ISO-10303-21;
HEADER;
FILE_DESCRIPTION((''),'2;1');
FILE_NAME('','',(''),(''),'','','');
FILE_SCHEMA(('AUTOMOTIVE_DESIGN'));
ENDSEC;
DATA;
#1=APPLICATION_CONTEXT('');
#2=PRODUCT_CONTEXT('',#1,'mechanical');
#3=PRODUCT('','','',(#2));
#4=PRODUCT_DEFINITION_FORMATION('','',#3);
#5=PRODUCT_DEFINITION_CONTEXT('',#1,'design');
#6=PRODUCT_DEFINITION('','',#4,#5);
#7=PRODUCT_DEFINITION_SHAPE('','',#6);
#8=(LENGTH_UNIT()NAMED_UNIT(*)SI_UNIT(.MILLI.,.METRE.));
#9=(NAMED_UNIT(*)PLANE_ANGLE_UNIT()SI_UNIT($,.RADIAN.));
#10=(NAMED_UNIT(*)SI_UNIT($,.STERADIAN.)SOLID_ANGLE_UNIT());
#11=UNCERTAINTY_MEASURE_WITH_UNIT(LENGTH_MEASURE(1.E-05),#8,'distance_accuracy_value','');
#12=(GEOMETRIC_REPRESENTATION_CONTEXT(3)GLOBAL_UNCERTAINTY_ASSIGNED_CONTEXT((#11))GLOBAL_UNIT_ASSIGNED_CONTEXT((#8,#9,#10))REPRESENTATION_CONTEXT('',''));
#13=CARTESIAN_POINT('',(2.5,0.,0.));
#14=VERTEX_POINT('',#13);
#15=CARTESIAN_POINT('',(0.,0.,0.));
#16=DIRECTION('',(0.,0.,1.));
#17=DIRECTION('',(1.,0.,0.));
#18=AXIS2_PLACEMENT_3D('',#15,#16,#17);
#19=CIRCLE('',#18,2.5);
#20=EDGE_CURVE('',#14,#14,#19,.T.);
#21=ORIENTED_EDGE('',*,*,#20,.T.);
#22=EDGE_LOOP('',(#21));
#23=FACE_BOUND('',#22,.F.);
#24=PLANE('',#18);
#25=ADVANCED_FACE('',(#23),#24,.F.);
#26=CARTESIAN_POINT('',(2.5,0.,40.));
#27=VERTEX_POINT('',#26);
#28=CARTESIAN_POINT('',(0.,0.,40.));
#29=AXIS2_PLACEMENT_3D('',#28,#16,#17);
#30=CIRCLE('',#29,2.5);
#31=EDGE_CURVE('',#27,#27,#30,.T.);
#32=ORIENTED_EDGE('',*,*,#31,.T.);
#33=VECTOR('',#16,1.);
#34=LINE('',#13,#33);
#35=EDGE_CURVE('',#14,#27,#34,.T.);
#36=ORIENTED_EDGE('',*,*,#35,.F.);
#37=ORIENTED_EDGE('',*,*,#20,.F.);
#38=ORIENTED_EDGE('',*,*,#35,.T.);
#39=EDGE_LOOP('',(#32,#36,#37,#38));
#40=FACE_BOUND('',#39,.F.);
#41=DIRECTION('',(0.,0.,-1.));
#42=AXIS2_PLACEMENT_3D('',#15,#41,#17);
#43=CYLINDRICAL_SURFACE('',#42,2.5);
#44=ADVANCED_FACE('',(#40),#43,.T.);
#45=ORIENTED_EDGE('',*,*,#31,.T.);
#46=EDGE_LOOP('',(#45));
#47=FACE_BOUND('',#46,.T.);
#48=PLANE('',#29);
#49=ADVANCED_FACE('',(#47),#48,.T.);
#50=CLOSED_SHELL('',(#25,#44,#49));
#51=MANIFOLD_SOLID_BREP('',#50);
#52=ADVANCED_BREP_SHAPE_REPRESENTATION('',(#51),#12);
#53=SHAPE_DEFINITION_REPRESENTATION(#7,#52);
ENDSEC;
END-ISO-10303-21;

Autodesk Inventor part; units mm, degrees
ref_plane "YZ Plane" through (0, 0, 0) normal (1, 0, 0) x (0, 1, 0)
ref_plane "XZ Plane" through (0, 0, 0) normal (0, 1, 0) x (-1, 0, 0)
ref_plane "XY Plane" through (0, 0, 0) normal (0, 0, 1) x (1, 0, 0)
sketch "Boceto1" plane through (0, 0, 0) normal (0, 0, 1) x (1, 0, 0)
  circle A0 centre (0, 0) radius 2.5
  dimension "d0" = 5
extrude "Extrusión1" add sketch "Boceto1" along normal blind 40
properties part number "pin5"
